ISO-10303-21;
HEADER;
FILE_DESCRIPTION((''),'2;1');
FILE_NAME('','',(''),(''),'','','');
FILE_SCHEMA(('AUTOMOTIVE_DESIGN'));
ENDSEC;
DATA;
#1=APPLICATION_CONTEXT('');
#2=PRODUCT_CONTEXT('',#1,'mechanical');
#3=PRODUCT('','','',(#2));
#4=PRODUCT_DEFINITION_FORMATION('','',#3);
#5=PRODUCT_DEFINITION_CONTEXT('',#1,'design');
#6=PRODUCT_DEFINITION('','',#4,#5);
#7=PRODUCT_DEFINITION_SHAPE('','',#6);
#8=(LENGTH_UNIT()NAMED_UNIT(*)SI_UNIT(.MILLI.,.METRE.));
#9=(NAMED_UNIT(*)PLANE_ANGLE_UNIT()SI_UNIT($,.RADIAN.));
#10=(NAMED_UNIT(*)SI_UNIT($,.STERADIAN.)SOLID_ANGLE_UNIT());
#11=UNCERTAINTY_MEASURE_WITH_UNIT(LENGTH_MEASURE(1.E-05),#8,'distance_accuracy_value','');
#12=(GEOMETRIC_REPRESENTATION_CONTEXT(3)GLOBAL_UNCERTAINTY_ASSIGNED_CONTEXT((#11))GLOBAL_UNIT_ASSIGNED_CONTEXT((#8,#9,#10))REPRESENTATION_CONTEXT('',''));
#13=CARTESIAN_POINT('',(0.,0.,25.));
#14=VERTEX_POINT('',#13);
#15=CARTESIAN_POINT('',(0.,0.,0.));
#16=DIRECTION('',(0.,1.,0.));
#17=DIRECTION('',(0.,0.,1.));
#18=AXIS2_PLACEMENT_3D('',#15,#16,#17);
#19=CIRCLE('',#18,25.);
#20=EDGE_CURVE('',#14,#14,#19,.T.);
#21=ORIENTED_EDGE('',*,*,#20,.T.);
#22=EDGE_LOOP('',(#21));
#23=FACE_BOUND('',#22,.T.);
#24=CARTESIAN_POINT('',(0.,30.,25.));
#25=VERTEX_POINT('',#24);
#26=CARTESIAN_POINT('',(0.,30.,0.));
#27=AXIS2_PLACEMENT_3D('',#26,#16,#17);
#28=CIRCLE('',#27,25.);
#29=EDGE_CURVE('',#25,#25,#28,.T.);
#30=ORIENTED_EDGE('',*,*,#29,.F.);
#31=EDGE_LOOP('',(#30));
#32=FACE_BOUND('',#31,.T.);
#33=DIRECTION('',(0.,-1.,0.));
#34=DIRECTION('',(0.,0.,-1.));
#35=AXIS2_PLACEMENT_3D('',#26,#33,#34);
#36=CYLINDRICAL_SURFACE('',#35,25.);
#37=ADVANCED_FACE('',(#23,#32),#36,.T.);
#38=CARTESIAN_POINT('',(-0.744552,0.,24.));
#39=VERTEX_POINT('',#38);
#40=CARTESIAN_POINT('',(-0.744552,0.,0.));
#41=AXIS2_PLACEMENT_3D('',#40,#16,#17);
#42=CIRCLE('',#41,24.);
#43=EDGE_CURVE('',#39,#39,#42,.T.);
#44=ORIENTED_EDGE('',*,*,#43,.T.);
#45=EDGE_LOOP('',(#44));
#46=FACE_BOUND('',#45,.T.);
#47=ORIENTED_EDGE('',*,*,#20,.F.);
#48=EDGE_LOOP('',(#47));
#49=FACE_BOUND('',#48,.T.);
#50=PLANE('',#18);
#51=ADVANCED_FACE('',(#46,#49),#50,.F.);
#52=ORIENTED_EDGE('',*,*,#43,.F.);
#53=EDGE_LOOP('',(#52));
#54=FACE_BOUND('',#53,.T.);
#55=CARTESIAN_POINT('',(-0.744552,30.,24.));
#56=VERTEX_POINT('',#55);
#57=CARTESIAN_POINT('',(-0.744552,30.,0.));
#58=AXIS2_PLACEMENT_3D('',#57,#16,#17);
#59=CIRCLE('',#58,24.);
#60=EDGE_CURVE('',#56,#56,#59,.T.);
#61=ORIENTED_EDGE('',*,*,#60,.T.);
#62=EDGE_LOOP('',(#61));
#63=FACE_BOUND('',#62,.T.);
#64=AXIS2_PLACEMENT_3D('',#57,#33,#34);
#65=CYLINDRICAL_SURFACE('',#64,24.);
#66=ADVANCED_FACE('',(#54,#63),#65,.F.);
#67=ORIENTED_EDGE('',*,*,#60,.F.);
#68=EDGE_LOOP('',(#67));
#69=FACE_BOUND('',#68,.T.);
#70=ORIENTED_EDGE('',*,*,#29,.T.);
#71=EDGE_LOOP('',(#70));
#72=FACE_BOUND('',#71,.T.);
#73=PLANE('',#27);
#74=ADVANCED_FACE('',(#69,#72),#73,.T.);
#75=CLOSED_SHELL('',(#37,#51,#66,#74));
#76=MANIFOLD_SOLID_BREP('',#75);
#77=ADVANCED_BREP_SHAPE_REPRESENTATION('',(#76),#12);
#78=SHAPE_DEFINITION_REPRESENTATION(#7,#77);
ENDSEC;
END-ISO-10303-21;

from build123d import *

# Parameters (mm, degrees)
SKETCH_1_R      = 25
SKETCH_1_R_2    = 24
EXTRUDE_1_DEPTH = 30


with BuildPart() as part:
    # 草图1 → 凸台-拉伸1 (new body)
    with BuildSketch(Plane(origin=(0, 0, 0), x_dir=(1, 0, 0), z_dir=(0, 1, 0))):
        Circle(SKETCH_1_R)
        with Locations((-0.744551615, 0)):
            Circle(SKETCH_1_R_2, mode=Mode.SUBTRACT)
    extrude(amount=EXTRUDE_1_DEPTH)


solid = part.part
